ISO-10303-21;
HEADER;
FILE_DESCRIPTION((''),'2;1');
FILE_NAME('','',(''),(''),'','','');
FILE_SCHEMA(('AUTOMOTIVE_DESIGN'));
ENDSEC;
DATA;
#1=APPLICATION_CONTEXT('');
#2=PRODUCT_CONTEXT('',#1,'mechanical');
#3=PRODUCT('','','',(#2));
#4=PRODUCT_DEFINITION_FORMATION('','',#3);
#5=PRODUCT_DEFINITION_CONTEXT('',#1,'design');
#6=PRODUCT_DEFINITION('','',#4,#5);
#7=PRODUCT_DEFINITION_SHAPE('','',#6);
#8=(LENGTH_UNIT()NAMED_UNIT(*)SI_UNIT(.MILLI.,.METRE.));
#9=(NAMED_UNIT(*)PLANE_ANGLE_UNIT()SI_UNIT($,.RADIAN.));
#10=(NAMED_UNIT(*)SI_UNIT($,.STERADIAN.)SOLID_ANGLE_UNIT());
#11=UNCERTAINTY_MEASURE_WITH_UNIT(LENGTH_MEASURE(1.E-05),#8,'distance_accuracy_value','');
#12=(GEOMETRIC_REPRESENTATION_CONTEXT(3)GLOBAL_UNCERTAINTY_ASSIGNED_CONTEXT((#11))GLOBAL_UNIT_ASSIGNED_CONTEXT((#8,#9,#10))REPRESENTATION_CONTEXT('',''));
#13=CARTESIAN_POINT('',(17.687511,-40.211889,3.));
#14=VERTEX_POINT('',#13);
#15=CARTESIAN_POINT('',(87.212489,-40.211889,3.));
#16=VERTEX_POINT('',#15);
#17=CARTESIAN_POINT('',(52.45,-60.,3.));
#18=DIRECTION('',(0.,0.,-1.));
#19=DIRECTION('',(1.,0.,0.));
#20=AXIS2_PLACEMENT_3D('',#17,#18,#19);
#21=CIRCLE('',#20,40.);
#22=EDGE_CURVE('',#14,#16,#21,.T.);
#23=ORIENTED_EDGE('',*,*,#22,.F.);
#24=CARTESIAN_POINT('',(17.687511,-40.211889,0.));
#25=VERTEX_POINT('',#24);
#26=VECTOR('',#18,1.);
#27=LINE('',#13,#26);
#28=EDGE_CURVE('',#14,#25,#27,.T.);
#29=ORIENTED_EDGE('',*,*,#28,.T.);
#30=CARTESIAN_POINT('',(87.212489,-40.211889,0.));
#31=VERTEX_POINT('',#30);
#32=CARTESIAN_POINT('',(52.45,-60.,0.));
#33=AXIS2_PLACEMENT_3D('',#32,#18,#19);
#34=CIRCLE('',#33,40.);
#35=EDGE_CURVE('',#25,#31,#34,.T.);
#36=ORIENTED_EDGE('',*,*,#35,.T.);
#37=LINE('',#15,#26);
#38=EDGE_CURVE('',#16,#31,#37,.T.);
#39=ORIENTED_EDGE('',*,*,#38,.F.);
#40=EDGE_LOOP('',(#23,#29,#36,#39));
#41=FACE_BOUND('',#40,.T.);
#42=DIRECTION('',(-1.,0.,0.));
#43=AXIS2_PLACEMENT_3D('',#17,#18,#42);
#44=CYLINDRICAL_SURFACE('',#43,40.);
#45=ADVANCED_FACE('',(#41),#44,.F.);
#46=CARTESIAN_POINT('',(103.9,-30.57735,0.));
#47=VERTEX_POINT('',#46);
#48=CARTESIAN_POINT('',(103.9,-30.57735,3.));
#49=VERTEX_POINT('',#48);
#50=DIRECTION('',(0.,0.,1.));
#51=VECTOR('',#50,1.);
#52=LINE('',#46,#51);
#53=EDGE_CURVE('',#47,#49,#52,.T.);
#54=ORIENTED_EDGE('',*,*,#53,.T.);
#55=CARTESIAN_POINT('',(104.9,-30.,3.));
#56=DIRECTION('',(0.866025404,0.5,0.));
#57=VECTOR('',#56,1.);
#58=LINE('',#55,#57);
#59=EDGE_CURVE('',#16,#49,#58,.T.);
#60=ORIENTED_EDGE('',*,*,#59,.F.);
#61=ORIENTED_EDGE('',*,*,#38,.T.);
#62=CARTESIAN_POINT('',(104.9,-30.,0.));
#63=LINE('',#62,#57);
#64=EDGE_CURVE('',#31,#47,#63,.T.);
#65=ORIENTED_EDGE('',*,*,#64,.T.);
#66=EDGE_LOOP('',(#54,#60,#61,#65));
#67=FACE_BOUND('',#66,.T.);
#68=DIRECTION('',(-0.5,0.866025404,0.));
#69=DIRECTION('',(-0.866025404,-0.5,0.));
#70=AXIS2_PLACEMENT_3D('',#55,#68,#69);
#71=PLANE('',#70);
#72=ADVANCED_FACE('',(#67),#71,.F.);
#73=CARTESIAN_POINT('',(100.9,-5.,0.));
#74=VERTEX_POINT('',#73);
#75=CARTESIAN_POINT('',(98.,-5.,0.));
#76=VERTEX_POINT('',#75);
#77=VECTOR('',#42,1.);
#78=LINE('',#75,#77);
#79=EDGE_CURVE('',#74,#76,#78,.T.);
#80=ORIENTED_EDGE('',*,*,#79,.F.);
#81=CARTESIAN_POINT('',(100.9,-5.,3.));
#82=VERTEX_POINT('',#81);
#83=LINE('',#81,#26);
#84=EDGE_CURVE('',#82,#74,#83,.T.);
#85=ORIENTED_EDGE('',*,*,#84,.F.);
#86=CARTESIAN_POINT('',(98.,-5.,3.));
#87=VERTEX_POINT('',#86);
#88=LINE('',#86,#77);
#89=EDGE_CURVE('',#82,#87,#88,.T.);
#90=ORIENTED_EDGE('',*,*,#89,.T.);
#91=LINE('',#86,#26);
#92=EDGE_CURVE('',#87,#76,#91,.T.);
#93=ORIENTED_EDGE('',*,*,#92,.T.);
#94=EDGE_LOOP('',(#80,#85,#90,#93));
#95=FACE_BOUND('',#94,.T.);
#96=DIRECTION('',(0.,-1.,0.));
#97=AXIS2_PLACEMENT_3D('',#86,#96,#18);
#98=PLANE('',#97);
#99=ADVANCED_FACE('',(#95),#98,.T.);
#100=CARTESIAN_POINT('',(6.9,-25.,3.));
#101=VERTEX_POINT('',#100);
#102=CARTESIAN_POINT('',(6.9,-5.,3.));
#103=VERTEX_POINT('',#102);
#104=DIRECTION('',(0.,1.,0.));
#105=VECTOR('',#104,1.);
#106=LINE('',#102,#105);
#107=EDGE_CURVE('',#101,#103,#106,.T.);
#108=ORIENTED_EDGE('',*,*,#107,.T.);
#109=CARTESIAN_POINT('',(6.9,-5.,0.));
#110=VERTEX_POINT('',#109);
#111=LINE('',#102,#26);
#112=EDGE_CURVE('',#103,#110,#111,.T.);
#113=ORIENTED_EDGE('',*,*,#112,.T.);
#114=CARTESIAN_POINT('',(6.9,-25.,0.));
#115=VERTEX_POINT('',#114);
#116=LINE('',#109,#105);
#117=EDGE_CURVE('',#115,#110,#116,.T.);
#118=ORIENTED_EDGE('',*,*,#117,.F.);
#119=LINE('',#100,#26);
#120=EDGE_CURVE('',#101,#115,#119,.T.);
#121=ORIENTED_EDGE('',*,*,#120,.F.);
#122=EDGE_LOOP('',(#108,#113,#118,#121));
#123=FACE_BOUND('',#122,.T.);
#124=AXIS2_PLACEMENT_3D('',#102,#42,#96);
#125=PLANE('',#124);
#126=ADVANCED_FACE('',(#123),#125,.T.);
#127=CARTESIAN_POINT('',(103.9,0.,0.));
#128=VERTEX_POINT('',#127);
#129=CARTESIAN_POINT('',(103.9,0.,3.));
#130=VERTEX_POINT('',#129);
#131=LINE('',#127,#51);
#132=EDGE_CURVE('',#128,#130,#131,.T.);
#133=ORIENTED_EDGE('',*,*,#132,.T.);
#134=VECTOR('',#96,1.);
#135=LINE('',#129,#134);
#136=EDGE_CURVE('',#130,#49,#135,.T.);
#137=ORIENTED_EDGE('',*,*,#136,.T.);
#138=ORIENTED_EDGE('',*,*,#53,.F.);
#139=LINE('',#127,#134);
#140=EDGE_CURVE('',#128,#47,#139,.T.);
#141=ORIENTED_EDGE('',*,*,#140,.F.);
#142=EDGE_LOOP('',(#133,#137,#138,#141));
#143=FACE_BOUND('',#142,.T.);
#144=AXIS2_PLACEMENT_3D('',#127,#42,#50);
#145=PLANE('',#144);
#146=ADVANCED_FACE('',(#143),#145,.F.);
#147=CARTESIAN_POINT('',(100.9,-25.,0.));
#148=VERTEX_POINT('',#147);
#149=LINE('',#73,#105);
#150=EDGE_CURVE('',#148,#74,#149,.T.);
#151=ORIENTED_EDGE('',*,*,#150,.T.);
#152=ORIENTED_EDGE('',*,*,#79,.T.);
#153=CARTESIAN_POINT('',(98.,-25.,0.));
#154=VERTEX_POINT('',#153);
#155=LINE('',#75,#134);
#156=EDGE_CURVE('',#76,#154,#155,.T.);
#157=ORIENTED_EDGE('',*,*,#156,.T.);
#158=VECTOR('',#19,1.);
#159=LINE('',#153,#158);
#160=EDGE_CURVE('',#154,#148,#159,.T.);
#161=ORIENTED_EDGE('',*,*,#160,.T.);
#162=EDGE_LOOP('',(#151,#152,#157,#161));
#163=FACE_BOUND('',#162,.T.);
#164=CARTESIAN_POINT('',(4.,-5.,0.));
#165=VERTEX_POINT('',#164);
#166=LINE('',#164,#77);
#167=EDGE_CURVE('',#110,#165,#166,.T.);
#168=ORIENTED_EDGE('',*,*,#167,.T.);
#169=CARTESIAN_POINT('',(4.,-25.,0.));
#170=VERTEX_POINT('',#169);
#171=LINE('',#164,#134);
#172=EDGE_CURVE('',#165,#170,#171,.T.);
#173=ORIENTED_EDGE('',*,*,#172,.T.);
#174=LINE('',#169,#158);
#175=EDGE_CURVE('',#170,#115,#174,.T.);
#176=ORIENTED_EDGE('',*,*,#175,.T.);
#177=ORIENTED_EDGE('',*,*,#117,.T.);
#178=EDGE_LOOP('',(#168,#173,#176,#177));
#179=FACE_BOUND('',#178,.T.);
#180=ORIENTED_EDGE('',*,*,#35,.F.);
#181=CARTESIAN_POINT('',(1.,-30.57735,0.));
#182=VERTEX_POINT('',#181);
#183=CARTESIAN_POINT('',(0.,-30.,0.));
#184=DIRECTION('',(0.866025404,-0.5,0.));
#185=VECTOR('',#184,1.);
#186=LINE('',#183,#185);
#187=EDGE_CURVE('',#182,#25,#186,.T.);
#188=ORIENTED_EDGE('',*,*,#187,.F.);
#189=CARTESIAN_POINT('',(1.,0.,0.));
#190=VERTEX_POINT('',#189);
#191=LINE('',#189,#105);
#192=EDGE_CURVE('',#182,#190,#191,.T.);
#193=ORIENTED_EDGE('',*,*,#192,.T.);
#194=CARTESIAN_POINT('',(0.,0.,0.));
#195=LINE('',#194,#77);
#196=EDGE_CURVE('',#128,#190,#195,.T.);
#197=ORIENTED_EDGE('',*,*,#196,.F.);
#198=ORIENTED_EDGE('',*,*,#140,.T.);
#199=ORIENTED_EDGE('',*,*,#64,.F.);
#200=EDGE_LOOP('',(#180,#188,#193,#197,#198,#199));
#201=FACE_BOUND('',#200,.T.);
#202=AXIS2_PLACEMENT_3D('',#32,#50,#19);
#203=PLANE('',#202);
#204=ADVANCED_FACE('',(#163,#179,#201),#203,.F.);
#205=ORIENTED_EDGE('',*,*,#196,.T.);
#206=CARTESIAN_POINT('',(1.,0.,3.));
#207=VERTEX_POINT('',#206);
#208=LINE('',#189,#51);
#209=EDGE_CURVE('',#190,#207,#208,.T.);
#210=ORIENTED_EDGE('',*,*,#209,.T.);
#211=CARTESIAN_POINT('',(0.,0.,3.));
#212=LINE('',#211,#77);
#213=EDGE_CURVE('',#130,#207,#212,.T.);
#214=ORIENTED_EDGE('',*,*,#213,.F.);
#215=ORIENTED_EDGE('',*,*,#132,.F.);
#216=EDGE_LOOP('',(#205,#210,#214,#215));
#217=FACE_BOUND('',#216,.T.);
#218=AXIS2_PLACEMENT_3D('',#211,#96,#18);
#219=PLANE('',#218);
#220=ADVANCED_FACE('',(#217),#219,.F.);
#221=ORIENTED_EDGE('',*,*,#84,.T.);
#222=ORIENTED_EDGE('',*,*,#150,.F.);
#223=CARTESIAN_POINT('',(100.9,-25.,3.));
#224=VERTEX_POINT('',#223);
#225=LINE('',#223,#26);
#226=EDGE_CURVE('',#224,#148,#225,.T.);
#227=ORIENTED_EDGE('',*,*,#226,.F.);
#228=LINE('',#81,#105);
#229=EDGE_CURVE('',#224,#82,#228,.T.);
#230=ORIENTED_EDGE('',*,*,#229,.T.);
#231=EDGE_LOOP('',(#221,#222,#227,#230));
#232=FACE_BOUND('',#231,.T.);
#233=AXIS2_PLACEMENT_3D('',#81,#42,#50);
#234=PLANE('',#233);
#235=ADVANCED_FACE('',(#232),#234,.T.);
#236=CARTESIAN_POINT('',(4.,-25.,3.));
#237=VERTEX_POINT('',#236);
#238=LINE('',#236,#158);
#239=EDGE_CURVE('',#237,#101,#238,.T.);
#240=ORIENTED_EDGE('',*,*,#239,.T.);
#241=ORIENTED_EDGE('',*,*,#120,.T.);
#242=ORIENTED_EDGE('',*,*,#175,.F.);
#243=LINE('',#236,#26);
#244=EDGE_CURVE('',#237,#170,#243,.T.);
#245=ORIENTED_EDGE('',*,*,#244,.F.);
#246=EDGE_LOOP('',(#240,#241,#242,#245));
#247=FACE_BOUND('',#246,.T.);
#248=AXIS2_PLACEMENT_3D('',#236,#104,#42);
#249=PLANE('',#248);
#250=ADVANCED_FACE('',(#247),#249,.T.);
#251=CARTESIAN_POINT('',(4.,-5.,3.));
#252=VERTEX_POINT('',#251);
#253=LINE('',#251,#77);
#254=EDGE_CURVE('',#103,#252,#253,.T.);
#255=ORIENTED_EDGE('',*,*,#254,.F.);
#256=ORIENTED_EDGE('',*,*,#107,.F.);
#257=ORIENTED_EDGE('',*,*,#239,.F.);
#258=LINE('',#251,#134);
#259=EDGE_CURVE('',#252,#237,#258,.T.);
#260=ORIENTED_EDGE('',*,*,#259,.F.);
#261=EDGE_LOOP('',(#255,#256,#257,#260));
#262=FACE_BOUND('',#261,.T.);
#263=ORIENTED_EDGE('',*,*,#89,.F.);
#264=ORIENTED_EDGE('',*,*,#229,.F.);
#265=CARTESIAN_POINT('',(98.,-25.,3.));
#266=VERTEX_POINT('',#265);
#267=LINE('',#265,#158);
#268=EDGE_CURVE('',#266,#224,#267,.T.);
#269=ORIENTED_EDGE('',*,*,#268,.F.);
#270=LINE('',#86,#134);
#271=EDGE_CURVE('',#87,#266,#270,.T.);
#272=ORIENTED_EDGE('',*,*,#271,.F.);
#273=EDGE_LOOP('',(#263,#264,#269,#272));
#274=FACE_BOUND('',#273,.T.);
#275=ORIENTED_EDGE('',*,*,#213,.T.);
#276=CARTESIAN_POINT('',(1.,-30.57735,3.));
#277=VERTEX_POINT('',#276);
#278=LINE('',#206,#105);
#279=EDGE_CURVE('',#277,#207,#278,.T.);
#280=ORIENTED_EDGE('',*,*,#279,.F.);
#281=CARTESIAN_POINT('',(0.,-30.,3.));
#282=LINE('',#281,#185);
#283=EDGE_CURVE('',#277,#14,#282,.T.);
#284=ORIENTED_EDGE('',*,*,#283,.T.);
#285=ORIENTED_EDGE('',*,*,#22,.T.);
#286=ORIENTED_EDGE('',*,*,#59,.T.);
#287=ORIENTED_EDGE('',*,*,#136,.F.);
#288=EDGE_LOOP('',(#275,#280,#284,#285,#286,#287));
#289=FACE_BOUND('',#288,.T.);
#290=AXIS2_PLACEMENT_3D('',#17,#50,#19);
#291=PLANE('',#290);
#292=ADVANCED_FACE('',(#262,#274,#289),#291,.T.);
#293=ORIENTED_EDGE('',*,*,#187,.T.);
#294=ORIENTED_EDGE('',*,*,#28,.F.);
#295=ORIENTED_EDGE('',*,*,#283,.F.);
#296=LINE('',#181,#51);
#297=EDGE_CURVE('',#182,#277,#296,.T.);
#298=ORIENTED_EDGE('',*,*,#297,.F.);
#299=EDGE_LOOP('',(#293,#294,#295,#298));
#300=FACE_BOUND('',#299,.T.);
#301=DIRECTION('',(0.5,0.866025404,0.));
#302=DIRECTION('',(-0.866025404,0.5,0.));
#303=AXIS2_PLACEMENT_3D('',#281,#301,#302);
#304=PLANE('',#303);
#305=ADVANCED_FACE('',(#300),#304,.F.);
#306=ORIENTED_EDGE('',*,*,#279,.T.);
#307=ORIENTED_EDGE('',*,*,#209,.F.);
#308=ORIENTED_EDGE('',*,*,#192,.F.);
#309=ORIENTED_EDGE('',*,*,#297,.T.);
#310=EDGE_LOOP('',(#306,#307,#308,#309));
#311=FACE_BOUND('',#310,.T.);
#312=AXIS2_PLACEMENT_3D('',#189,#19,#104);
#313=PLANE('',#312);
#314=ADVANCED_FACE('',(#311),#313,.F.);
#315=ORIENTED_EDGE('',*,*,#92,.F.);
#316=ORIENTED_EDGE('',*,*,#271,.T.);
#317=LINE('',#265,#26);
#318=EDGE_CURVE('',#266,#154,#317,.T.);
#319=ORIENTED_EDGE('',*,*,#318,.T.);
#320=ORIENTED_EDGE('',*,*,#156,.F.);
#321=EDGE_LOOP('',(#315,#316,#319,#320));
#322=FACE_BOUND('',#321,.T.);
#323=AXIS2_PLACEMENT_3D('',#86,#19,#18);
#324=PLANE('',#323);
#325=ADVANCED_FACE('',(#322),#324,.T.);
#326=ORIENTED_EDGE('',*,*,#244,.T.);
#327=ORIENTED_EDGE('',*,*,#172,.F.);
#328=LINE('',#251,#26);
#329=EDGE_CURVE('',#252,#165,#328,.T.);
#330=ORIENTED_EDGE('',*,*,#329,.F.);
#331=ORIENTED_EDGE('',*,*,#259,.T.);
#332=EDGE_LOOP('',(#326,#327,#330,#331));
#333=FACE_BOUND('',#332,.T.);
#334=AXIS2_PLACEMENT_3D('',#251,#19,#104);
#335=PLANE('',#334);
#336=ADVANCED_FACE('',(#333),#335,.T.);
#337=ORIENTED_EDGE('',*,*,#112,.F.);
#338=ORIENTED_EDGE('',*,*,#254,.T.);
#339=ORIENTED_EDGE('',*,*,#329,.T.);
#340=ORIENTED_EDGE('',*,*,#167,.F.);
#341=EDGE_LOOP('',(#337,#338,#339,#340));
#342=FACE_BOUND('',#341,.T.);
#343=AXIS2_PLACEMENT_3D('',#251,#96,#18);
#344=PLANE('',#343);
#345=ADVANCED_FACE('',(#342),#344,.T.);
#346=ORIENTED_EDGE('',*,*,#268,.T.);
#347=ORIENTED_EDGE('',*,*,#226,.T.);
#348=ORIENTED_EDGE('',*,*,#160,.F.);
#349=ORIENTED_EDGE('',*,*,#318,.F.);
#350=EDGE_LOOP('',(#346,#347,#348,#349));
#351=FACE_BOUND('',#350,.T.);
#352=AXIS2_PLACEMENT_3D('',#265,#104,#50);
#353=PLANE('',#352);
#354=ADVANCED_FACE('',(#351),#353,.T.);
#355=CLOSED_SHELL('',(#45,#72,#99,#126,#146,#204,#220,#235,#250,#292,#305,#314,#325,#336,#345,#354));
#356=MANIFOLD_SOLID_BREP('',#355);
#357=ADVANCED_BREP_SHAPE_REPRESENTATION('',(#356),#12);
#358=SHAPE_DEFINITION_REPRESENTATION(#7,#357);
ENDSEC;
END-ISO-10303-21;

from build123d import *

# Parameters (mm, degrees)
SKETCH1_W           = 2.9
SKETCH1_H           = 20
BOSS_EXTRUDE1_DEPTH = 3
CUT_EXTRUDE1_DEPTH  = 4


with BuildPart() as part:
    # Sketch1 → Boss-Extrude1 (new body)
    with BuildSketch(Plane.XY):
        with BuildLine():
            Line((0, 0), (104.9, 0))
            Line((104.9, 0), (104.9, -30))
            Line((104.9, -30), (87.212489335, -40.211889044))
            ThreePointArc((87.212489335, -40.211889044), (52.45, -20), (17.687510665, -40.211889044))
            Line((17.687510665, -40.211889044), (0, -30))
            Line((0, -30), (0, 0))
        make_face()
        with Locations((99.45, -15)):
            Rectangle(SKETCH1_W, SKETCH1_H, mode=Mode.SUBTRACT)
        with Locations((5.45, -15)):
            Rectangle(SKETCH1_W, SKETCH1_H, mode=Mode.SUBTRACT)
    extrude(amount=BOSS_EXTRUDE1_DEPTH)

    # Sketch2 → Cut-Extrude1 (cut, through all)
    with BuildSketch(Plane.XY.offset(3)):
        Polygon((1, 0), (1, -30.577350269), (0, -30), (0, 0), align=None)
        Polygon((103.9, 0), (103.9, -30.577350269), (104.9, -30), (104.9, 0), align=None)
    extrude(amount=-CUT_EXTRUDE1_DEPTH, mode=Mode.SUBTRACT)


solid = part.part
